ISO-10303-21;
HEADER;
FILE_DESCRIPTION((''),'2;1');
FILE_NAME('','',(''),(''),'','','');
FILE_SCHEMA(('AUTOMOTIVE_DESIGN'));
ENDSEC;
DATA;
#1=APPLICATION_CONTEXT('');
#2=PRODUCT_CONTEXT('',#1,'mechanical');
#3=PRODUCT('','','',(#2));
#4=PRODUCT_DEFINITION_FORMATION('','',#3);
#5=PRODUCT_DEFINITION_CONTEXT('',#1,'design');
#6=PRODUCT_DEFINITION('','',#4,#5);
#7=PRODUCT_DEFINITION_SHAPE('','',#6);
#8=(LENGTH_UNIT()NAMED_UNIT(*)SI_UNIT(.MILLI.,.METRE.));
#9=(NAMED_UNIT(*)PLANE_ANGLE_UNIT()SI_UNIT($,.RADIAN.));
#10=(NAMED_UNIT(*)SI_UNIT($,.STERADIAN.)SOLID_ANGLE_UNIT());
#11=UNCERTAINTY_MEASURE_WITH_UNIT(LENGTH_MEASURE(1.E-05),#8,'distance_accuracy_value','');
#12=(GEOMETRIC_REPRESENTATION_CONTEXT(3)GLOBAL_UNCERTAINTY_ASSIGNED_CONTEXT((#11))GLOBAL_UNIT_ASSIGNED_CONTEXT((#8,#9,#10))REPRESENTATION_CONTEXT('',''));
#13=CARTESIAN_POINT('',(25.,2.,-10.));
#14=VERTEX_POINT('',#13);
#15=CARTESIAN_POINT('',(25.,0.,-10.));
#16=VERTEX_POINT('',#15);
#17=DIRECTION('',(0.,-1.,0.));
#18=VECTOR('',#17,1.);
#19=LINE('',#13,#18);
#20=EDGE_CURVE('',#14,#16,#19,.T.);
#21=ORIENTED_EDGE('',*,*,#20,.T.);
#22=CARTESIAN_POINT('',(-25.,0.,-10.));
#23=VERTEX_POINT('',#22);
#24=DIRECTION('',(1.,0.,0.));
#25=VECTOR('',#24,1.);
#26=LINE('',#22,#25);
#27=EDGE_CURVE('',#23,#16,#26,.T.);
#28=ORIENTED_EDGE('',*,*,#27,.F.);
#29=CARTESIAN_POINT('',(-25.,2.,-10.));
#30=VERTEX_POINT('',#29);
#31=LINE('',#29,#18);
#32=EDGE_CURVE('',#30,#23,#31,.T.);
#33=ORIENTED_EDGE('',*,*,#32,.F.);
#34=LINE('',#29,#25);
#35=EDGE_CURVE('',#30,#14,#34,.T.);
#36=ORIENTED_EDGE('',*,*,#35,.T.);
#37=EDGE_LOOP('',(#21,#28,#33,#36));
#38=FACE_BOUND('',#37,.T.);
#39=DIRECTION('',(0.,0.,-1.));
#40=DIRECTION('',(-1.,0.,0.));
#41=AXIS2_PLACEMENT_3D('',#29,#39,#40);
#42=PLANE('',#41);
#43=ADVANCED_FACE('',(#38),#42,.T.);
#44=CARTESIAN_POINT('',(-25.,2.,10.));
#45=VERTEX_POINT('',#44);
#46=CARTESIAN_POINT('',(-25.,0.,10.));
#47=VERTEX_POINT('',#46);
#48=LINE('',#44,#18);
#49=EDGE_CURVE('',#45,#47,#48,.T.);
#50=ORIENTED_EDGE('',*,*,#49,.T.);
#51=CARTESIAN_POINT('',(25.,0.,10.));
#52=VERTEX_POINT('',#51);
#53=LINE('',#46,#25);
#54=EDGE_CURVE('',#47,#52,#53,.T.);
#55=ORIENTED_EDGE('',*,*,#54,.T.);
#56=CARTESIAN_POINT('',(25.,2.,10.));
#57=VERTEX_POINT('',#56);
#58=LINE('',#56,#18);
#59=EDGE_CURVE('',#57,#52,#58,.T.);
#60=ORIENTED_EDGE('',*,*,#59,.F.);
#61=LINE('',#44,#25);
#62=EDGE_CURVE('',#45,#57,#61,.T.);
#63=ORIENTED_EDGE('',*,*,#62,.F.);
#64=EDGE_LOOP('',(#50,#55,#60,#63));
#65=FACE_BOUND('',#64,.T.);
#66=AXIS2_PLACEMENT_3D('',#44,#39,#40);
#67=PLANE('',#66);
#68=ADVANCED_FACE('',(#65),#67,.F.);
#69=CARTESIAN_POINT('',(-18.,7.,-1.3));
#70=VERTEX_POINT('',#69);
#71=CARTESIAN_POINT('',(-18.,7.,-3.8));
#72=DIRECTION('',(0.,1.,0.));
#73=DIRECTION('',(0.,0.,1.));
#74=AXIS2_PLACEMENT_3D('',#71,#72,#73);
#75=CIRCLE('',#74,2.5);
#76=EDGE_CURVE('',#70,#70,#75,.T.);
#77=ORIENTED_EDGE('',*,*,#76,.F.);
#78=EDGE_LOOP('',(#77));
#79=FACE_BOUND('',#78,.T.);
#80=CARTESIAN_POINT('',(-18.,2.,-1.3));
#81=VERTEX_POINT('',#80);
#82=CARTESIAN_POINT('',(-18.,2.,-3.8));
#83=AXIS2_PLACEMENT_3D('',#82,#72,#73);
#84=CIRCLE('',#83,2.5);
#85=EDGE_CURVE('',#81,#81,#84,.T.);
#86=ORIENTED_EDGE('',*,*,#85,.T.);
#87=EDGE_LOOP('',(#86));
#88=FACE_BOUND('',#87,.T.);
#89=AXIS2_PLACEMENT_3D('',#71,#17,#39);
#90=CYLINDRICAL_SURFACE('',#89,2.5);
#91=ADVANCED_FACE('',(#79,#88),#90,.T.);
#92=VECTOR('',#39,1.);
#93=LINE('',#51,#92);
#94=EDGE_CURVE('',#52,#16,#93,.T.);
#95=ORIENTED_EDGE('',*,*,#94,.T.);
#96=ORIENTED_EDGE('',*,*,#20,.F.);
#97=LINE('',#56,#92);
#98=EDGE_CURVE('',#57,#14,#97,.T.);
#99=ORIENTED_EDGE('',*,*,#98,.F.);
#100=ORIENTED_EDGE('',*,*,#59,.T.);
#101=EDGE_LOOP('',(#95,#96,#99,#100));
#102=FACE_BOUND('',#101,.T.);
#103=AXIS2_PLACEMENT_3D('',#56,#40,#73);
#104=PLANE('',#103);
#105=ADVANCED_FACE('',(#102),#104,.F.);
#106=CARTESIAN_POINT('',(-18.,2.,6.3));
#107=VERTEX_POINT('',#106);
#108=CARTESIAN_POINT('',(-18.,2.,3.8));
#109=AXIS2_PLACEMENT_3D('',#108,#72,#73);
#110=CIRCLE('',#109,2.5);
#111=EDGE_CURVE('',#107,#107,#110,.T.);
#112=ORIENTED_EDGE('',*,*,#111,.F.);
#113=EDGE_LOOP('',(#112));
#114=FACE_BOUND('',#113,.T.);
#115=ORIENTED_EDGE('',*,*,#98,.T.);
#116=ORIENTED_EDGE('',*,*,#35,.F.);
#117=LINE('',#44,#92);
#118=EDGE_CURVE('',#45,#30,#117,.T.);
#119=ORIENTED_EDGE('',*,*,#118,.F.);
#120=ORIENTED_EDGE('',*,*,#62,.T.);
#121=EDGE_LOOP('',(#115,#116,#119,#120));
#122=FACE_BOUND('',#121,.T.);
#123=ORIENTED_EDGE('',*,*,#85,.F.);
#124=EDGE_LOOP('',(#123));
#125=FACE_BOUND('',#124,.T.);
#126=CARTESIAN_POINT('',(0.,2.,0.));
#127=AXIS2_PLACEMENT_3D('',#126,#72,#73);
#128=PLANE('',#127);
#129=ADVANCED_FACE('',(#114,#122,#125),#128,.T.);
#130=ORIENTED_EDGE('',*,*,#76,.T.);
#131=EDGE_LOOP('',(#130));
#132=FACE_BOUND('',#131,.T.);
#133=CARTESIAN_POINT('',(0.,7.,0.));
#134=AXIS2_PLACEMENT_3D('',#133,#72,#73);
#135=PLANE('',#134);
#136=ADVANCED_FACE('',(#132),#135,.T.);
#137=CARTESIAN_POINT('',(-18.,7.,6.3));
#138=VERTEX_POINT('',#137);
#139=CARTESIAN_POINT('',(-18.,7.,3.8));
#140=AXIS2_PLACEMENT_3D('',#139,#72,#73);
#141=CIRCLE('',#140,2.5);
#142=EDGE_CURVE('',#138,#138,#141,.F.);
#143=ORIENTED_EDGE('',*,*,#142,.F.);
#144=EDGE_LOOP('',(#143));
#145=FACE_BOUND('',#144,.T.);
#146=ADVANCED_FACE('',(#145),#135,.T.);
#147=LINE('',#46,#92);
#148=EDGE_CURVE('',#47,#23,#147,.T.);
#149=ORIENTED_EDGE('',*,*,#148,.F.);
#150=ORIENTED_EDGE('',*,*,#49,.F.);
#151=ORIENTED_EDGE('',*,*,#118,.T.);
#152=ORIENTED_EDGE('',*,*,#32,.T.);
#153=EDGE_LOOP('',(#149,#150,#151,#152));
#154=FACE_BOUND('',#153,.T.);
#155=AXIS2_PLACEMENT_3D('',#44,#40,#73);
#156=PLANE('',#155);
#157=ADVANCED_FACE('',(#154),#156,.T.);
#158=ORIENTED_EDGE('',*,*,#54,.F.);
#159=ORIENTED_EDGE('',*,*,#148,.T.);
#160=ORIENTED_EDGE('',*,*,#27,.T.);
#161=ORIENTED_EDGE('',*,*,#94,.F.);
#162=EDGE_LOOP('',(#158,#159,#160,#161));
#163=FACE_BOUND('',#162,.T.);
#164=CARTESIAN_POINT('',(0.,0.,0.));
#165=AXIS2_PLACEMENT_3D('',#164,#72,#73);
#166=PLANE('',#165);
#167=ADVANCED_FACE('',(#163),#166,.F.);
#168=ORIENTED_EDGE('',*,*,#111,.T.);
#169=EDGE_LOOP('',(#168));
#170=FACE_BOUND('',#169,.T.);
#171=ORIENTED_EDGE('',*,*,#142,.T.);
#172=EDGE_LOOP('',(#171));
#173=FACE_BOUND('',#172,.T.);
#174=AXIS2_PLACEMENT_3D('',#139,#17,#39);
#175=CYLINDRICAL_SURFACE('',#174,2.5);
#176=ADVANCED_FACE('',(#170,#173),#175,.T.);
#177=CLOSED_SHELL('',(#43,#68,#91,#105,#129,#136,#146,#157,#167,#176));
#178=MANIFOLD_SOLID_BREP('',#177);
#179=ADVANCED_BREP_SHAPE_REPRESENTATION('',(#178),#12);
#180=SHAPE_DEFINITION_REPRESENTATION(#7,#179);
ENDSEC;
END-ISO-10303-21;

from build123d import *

# Parameters (mm, degrees)
SKETCH_1_W      = 50
SKETCH_1_H      = 20
SKETCH_1_R      = 2.5
EXTRUDE_1_DEPTH = 2
SKETCH_1_3_R    = 2.5
EXTRUDE_2_DEPTH = 7


with BuildPart() as part:
    # 草图1 → 凸台-拉伸1 (new body)
    with BuildSketch(Plane(origin=(0, 0, 0), x_dir=(1, 0, 0), z_dir=(0, 1, 0))):
        Rectangle(SKETCH_1_W, SKETCH_1_H)
        with Locations((-18, 3.8)):
            Circle(SKETCH_1_R, mode=Mode.SUBTRACT)
        with Locations((-18, -3.8)):
            Circle(SKETCH_1_R, mode=Mode.SUBTRACT)
    extrude(amount=EXTRUDE_1_DEPTH)

    # 草图1<3> → 凸台-拉伸2 (add)
    with BuildSketch(Plane(origin=(0, 0, 0), x_dir=(1, 0, 0), z_dir=(0, 1, 0))):
        with Locations((-18, 3.8)):
            Circle(SKETCH_1_3_R)
        with Locations((-18, -3.8)):
            Circle(SKETCH_1_3_R)
    extrude(amount=EXTRUDE_2_DEPTH)


solid = part.part
